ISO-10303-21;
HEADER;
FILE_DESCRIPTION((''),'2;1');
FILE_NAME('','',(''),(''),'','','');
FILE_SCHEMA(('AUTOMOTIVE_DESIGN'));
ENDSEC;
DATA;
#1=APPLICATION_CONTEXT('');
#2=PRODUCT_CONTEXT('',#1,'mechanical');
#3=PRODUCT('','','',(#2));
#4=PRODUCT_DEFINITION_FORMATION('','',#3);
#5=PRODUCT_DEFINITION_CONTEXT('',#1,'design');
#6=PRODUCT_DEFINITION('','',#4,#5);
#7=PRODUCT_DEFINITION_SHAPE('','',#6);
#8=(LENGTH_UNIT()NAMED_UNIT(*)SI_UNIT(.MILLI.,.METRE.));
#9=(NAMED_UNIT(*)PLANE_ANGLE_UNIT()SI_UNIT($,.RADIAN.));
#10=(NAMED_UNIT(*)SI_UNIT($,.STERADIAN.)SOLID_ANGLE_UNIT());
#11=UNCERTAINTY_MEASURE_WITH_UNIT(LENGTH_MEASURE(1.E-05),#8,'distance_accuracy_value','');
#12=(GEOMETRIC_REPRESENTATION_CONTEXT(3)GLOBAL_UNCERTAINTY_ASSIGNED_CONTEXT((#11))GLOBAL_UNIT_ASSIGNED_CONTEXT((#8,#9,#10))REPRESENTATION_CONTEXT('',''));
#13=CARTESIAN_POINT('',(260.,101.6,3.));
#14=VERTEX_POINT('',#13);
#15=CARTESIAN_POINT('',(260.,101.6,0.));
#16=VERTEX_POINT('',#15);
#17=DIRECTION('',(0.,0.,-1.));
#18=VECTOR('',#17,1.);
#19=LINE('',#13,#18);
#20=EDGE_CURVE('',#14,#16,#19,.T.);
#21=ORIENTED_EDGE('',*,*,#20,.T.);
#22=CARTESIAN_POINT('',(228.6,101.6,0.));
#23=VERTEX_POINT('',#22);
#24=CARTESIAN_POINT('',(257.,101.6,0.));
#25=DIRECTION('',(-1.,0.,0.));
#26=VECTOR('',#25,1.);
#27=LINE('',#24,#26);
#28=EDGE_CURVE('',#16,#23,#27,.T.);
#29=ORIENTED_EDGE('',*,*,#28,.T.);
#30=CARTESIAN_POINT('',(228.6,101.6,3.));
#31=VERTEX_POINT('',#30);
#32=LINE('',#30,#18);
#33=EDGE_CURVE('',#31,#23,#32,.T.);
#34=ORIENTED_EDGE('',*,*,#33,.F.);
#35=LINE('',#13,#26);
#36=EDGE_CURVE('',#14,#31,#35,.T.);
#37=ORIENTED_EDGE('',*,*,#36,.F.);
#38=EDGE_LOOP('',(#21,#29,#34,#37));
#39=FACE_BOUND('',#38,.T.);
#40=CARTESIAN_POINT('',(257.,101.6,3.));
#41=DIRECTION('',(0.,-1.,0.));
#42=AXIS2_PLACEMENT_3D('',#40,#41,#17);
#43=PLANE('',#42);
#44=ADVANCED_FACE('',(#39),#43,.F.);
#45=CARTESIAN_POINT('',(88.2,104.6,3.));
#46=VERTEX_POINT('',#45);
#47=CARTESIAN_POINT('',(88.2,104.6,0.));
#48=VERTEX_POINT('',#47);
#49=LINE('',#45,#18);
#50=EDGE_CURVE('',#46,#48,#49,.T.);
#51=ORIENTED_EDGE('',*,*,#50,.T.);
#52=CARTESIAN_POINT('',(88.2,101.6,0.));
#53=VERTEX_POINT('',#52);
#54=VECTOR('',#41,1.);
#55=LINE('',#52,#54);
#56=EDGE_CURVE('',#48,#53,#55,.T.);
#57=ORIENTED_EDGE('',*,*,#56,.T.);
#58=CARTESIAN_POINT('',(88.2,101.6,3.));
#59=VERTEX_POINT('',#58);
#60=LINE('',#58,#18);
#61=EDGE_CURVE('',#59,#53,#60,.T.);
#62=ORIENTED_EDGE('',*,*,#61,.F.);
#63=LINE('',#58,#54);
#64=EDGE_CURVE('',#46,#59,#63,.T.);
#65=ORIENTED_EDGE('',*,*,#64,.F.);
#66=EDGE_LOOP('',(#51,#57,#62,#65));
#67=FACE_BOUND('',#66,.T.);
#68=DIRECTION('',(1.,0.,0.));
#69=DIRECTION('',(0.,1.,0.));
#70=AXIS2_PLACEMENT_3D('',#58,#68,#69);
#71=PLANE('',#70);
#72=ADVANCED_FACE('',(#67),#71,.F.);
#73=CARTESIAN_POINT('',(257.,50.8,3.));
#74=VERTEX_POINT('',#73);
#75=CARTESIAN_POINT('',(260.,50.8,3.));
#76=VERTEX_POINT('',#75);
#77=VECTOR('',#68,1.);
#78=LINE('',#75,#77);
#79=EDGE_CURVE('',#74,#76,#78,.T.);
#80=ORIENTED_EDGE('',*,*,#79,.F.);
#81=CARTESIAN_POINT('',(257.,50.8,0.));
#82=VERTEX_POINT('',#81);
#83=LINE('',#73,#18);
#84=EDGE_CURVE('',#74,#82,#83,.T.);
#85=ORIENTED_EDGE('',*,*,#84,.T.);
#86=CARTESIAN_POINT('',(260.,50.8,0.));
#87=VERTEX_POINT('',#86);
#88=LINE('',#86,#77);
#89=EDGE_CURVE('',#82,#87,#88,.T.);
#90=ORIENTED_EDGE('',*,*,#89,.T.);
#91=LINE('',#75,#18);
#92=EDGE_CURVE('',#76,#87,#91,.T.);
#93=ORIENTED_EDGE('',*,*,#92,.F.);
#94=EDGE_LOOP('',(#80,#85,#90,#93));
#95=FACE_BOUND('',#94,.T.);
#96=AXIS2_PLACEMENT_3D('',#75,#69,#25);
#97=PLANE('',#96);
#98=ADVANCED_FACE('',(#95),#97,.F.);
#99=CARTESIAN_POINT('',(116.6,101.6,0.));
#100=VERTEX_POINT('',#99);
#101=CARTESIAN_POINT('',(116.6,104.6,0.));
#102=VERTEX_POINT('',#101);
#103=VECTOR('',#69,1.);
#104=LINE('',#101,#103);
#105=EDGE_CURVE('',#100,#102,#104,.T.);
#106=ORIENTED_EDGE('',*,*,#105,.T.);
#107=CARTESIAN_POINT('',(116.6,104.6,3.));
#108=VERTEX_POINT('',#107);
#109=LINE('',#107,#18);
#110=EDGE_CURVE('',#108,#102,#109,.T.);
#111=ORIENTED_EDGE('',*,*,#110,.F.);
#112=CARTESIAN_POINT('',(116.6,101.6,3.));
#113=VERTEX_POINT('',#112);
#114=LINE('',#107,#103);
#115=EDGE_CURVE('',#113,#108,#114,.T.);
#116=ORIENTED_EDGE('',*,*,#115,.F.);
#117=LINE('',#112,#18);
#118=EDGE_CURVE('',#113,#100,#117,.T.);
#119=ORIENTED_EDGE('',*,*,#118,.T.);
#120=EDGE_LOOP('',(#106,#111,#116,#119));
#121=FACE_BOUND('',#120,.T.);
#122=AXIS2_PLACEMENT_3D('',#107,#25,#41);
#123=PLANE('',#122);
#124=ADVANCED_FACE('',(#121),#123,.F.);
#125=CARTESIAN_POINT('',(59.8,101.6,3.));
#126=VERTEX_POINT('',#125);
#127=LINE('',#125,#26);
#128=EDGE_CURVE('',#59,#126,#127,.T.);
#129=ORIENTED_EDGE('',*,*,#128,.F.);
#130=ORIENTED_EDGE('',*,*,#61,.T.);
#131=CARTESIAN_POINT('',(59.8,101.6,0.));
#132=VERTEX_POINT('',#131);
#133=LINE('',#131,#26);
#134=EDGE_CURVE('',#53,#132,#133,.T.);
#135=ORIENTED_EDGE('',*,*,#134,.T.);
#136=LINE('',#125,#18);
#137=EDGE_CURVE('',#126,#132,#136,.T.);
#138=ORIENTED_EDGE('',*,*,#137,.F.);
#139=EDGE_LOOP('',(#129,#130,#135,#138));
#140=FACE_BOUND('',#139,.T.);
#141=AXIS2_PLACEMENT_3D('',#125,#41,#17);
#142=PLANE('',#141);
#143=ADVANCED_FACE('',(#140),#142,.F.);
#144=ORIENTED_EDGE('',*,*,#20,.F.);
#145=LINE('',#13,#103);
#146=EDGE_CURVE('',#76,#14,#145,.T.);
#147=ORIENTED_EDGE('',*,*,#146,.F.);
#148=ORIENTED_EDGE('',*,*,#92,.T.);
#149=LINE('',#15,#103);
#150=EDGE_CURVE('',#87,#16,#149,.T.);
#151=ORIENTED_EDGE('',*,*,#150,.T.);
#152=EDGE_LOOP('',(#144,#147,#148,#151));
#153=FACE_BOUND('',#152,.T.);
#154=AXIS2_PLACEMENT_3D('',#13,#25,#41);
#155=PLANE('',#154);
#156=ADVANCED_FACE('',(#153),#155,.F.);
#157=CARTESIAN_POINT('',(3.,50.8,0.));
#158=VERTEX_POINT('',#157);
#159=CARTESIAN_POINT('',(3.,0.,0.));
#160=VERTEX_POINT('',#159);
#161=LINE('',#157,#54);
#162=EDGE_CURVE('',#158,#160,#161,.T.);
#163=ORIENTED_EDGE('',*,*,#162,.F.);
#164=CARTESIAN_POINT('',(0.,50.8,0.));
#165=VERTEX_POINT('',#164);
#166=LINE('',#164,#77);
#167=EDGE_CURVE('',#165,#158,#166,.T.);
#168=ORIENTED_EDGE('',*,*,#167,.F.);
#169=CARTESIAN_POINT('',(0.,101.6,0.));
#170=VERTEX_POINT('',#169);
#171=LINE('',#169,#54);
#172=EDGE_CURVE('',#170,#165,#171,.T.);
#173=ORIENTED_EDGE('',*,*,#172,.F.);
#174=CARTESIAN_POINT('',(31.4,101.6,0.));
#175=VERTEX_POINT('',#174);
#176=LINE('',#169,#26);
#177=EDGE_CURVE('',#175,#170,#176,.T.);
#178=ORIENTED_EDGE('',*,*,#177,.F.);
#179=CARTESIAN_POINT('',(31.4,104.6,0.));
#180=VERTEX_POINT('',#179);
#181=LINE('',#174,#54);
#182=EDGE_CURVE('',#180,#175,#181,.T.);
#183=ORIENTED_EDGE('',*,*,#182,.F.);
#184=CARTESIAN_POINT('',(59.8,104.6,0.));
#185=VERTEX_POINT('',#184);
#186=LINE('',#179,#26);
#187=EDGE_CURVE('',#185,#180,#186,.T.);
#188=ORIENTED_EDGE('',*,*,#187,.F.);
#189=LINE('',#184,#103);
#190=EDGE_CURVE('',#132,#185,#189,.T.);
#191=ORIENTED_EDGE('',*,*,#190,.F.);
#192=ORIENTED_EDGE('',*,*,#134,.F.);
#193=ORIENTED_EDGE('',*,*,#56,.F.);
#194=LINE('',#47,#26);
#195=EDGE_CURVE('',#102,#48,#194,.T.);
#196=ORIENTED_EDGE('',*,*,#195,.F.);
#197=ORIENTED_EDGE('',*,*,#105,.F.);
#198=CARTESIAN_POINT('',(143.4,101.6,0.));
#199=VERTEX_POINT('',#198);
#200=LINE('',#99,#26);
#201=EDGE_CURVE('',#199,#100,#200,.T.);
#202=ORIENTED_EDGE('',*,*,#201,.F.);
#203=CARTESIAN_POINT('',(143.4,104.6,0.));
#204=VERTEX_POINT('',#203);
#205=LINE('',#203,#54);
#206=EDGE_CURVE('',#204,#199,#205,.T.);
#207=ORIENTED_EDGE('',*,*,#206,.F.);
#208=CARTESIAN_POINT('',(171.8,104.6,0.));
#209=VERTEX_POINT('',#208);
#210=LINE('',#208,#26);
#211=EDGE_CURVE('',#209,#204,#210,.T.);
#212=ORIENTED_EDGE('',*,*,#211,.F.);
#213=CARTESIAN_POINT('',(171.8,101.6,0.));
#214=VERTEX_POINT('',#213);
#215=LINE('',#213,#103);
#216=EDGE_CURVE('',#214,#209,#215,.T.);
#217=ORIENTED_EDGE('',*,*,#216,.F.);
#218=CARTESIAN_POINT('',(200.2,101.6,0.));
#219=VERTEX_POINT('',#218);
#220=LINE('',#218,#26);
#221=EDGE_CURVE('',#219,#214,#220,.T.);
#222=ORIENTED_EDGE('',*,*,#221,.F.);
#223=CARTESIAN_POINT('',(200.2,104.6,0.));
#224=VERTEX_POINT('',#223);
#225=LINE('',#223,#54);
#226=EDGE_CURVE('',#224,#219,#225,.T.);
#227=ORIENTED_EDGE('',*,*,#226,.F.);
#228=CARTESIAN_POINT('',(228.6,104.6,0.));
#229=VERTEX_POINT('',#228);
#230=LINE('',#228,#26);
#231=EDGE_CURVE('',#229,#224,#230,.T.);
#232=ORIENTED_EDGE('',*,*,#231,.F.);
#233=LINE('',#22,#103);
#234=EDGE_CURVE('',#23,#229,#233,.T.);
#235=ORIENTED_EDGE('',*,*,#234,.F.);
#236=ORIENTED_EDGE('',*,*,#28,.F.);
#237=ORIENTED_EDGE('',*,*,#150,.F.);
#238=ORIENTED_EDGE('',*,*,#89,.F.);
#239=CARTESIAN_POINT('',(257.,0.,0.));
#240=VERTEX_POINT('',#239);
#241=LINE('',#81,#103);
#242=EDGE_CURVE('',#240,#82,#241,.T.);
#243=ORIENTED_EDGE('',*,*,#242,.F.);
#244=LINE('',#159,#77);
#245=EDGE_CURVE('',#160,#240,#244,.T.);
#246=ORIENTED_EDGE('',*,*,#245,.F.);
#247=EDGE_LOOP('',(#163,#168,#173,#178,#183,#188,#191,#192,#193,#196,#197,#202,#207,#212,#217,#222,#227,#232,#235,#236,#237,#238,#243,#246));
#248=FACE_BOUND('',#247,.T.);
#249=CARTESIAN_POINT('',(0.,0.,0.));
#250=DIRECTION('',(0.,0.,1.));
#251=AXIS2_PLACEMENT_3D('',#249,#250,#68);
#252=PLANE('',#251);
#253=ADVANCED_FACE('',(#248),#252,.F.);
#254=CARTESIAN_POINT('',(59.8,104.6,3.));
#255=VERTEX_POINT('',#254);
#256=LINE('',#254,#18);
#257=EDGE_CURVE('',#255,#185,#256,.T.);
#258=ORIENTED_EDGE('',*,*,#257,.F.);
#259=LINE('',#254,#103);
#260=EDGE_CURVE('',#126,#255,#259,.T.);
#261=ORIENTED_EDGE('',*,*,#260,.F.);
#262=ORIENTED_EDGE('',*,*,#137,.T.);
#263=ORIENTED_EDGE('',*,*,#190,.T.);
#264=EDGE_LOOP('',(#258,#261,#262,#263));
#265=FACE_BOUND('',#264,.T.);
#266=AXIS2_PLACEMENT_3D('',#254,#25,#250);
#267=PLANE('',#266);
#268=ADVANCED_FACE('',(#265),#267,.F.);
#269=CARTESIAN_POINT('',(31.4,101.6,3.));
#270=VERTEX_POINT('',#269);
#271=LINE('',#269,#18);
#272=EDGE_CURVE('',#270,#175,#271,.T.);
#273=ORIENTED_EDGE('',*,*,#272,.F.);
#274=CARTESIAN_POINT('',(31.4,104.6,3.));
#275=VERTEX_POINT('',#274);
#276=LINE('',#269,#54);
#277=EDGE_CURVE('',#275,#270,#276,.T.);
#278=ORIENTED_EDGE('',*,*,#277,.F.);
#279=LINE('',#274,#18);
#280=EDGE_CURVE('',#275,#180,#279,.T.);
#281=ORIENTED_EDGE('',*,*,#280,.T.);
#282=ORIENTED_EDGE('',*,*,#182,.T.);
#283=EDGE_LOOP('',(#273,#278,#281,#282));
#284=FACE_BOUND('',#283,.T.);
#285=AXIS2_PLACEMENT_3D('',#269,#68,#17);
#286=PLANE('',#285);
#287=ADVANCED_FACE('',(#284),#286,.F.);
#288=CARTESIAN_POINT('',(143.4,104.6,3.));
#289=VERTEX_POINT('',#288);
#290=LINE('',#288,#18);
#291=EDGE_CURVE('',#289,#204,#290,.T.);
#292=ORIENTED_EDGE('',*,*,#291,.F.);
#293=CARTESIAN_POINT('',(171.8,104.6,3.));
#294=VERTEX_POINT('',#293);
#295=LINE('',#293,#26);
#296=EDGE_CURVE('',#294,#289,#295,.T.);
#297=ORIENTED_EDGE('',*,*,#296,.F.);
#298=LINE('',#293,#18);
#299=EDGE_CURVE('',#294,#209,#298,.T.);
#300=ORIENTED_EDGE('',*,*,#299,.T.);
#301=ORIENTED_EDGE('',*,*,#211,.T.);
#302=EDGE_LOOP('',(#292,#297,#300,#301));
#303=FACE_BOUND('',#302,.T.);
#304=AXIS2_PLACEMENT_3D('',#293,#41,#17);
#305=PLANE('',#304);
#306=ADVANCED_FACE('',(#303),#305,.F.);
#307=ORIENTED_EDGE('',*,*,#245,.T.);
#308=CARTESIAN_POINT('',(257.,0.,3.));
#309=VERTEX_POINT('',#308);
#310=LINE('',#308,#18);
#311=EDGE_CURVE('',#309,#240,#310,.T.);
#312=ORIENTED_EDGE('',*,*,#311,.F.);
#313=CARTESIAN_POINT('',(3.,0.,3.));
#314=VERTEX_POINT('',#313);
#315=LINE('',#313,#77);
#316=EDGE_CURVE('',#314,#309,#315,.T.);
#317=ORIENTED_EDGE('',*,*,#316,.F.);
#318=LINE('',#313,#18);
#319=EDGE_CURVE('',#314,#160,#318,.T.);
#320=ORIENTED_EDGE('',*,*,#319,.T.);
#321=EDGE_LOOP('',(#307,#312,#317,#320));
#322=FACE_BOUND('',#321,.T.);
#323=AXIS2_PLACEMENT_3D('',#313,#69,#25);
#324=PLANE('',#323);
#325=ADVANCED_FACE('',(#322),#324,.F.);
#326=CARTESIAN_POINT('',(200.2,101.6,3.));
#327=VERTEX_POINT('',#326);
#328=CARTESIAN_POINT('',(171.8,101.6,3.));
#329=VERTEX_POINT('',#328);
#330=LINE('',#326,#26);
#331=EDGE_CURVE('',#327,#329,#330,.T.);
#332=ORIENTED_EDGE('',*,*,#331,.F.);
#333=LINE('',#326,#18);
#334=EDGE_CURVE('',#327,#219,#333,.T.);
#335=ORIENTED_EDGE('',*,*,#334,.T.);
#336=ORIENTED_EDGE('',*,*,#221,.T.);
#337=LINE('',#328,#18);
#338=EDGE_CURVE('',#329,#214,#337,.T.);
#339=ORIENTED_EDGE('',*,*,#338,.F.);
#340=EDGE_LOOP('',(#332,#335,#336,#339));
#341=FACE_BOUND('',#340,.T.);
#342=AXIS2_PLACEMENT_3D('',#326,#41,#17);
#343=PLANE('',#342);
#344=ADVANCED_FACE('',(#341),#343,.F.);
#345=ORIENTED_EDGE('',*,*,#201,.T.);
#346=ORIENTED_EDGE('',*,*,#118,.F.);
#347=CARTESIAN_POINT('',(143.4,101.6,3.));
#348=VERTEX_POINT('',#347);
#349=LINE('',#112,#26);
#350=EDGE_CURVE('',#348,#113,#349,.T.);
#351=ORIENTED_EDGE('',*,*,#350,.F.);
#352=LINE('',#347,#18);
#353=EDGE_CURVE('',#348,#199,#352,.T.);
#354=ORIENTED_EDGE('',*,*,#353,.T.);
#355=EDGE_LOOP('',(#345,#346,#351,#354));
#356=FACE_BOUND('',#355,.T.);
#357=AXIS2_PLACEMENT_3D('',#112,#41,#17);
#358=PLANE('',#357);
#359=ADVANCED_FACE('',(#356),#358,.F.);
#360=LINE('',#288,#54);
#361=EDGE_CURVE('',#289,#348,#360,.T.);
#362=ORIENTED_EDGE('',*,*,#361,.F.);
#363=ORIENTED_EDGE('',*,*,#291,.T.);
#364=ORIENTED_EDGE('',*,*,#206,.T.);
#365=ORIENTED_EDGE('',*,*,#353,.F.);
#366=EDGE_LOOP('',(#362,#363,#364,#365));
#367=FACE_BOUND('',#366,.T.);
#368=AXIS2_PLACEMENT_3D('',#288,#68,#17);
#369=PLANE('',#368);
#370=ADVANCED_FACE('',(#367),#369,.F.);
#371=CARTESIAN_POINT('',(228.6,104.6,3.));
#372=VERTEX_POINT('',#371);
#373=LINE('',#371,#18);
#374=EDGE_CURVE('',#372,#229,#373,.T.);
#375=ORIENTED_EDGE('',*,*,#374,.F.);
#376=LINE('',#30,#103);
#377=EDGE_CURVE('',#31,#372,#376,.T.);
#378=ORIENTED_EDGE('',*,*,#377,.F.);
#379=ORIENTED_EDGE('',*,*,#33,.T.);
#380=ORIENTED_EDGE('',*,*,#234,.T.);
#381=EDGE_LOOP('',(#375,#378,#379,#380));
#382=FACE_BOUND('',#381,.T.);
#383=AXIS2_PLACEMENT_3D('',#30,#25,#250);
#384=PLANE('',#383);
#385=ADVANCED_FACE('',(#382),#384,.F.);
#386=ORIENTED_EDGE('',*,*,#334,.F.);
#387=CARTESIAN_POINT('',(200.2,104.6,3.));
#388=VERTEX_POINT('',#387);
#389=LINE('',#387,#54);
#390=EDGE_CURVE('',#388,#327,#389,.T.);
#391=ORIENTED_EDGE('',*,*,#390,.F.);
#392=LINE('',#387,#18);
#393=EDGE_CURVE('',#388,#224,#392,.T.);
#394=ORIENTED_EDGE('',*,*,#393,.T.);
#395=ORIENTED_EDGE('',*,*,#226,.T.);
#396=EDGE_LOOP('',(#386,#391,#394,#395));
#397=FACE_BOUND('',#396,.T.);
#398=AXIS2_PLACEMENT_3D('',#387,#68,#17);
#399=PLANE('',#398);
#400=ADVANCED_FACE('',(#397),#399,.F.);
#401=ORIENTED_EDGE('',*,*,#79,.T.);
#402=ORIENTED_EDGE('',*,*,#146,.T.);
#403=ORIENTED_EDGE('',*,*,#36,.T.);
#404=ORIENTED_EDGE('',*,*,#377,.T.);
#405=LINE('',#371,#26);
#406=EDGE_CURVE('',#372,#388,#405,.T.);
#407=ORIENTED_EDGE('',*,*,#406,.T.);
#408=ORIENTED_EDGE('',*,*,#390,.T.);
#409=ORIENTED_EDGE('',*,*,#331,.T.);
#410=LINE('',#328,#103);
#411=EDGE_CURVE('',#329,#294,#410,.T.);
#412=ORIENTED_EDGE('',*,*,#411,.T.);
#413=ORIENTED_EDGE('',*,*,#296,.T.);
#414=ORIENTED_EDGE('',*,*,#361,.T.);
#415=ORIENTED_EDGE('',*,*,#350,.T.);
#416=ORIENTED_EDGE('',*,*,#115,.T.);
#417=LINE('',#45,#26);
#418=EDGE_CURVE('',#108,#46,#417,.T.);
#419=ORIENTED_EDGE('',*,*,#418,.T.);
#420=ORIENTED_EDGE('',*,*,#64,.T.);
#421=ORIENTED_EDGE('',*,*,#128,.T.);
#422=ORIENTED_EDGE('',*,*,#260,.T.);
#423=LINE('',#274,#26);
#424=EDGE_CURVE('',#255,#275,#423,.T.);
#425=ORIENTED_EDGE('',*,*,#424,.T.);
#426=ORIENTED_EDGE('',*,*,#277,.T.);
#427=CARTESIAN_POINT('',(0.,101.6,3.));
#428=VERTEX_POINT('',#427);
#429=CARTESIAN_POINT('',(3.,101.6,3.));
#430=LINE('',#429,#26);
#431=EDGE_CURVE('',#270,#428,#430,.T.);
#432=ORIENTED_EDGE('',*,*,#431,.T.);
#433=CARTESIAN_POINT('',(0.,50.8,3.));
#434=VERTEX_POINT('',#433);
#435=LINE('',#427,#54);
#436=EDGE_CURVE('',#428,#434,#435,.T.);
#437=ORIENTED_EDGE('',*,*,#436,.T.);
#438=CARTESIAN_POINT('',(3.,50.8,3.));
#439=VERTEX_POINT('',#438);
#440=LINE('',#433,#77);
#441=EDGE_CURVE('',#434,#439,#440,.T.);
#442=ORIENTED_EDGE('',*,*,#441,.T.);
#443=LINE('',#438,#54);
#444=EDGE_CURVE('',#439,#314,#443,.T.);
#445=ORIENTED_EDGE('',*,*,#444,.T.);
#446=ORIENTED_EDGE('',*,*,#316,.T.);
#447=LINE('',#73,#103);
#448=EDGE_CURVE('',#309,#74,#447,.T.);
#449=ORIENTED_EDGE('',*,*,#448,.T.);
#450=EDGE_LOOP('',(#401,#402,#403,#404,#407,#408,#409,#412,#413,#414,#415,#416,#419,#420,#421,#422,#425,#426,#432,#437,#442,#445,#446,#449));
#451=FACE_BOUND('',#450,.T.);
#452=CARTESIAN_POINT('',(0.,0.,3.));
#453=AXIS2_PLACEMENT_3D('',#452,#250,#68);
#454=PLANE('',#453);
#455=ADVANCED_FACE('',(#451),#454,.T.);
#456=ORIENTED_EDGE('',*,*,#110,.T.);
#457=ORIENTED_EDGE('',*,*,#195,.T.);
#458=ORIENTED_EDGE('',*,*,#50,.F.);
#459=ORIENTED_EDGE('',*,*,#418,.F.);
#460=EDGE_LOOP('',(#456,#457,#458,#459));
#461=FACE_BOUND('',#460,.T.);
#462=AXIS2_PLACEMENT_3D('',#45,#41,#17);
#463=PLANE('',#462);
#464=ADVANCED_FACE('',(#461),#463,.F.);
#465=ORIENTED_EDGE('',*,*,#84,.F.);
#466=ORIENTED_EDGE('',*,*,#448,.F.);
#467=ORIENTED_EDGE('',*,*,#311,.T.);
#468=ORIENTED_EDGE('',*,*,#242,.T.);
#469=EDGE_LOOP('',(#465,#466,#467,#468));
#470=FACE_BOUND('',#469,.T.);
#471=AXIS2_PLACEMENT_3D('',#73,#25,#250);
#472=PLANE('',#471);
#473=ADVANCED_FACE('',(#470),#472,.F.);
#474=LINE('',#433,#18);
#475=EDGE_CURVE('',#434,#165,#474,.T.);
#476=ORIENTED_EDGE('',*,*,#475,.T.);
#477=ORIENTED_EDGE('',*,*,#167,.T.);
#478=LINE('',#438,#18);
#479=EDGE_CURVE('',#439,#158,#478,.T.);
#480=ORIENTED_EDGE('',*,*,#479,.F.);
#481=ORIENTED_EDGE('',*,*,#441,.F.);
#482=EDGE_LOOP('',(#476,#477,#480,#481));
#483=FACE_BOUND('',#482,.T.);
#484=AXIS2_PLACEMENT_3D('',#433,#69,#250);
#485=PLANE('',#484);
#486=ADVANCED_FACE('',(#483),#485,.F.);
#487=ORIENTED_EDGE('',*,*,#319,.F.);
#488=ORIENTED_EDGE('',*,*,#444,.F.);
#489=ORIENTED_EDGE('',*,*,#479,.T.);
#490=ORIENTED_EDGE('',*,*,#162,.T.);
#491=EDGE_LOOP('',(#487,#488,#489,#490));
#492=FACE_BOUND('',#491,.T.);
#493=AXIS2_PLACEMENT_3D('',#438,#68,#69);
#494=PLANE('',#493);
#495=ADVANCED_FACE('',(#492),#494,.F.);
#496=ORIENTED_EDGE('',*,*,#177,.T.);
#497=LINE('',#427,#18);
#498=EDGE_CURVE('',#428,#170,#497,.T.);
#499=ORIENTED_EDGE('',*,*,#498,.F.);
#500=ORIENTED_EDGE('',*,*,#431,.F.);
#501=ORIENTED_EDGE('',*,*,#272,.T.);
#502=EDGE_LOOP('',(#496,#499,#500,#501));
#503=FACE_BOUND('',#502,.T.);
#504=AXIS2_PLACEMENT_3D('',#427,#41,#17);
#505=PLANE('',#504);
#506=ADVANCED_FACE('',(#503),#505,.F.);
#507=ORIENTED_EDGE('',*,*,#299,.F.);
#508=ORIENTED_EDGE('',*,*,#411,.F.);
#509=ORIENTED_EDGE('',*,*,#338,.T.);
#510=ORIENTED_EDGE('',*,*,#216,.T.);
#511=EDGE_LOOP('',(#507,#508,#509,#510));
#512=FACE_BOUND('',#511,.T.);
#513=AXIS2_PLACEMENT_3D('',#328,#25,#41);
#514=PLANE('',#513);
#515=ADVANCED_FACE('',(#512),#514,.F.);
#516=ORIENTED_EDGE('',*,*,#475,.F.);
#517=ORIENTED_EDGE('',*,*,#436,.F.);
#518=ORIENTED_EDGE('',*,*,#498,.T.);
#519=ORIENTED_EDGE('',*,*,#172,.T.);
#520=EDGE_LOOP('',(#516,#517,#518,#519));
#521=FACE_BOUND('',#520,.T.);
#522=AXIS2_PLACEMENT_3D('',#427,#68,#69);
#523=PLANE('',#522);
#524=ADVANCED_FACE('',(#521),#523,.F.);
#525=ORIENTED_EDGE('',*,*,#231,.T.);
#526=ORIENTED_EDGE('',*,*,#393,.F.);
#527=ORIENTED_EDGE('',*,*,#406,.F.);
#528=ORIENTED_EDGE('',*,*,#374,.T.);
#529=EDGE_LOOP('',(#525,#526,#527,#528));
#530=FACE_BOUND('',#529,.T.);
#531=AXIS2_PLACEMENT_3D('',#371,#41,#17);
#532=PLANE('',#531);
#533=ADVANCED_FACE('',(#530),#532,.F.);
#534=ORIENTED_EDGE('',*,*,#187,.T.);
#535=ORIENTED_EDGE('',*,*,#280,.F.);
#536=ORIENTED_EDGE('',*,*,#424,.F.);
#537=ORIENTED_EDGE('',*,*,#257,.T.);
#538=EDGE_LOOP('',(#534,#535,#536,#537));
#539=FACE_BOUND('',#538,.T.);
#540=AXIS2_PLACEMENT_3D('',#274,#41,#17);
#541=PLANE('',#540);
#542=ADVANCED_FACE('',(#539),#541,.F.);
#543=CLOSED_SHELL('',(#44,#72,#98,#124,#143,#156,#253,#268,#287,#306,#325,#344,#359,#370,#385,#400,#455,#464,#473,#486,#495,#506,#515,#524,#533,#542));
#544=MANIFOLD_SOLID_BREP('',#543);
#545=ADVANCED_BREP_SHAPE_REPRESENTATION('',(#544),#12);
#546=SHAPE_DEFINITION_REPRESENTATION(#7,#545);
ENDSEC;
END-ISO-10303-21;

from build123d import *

# Parameters (mm, degrees)
SALIENTE_EXTRUIR1_DEPTH = 3


with BuildPart() as part:
    # Croquis1 → Saliente-Extruir1 (new body)
    with BuildSketch(Plane.XY):
        Polygon((0, 101.6), (0, 50.8), (3, 50.8), (3, 0), (257, 0), (257, 50.8), (260, 50.8), (260, 101.6), (257, 101.6), (228.6, 101.6), (228.6, 104.6), (200.2, 104.6), (200.2, 101.6), (171.8, 101.6), (171.8, 104.6), (143.4, 104.6), (143.4, 101.6), (116.6, 101.6), (116.6, 104.6), (88.2, 104.6), (88.2, 101.6), (59.8, 101.6), (59.8, 104.6), (31.4, 104.6), (31.4, 101.6), (3, 101.6), align=None)
    extrude(amount=SALIENTE_EXTRUIR1_DEPTH)


solid = part.part
